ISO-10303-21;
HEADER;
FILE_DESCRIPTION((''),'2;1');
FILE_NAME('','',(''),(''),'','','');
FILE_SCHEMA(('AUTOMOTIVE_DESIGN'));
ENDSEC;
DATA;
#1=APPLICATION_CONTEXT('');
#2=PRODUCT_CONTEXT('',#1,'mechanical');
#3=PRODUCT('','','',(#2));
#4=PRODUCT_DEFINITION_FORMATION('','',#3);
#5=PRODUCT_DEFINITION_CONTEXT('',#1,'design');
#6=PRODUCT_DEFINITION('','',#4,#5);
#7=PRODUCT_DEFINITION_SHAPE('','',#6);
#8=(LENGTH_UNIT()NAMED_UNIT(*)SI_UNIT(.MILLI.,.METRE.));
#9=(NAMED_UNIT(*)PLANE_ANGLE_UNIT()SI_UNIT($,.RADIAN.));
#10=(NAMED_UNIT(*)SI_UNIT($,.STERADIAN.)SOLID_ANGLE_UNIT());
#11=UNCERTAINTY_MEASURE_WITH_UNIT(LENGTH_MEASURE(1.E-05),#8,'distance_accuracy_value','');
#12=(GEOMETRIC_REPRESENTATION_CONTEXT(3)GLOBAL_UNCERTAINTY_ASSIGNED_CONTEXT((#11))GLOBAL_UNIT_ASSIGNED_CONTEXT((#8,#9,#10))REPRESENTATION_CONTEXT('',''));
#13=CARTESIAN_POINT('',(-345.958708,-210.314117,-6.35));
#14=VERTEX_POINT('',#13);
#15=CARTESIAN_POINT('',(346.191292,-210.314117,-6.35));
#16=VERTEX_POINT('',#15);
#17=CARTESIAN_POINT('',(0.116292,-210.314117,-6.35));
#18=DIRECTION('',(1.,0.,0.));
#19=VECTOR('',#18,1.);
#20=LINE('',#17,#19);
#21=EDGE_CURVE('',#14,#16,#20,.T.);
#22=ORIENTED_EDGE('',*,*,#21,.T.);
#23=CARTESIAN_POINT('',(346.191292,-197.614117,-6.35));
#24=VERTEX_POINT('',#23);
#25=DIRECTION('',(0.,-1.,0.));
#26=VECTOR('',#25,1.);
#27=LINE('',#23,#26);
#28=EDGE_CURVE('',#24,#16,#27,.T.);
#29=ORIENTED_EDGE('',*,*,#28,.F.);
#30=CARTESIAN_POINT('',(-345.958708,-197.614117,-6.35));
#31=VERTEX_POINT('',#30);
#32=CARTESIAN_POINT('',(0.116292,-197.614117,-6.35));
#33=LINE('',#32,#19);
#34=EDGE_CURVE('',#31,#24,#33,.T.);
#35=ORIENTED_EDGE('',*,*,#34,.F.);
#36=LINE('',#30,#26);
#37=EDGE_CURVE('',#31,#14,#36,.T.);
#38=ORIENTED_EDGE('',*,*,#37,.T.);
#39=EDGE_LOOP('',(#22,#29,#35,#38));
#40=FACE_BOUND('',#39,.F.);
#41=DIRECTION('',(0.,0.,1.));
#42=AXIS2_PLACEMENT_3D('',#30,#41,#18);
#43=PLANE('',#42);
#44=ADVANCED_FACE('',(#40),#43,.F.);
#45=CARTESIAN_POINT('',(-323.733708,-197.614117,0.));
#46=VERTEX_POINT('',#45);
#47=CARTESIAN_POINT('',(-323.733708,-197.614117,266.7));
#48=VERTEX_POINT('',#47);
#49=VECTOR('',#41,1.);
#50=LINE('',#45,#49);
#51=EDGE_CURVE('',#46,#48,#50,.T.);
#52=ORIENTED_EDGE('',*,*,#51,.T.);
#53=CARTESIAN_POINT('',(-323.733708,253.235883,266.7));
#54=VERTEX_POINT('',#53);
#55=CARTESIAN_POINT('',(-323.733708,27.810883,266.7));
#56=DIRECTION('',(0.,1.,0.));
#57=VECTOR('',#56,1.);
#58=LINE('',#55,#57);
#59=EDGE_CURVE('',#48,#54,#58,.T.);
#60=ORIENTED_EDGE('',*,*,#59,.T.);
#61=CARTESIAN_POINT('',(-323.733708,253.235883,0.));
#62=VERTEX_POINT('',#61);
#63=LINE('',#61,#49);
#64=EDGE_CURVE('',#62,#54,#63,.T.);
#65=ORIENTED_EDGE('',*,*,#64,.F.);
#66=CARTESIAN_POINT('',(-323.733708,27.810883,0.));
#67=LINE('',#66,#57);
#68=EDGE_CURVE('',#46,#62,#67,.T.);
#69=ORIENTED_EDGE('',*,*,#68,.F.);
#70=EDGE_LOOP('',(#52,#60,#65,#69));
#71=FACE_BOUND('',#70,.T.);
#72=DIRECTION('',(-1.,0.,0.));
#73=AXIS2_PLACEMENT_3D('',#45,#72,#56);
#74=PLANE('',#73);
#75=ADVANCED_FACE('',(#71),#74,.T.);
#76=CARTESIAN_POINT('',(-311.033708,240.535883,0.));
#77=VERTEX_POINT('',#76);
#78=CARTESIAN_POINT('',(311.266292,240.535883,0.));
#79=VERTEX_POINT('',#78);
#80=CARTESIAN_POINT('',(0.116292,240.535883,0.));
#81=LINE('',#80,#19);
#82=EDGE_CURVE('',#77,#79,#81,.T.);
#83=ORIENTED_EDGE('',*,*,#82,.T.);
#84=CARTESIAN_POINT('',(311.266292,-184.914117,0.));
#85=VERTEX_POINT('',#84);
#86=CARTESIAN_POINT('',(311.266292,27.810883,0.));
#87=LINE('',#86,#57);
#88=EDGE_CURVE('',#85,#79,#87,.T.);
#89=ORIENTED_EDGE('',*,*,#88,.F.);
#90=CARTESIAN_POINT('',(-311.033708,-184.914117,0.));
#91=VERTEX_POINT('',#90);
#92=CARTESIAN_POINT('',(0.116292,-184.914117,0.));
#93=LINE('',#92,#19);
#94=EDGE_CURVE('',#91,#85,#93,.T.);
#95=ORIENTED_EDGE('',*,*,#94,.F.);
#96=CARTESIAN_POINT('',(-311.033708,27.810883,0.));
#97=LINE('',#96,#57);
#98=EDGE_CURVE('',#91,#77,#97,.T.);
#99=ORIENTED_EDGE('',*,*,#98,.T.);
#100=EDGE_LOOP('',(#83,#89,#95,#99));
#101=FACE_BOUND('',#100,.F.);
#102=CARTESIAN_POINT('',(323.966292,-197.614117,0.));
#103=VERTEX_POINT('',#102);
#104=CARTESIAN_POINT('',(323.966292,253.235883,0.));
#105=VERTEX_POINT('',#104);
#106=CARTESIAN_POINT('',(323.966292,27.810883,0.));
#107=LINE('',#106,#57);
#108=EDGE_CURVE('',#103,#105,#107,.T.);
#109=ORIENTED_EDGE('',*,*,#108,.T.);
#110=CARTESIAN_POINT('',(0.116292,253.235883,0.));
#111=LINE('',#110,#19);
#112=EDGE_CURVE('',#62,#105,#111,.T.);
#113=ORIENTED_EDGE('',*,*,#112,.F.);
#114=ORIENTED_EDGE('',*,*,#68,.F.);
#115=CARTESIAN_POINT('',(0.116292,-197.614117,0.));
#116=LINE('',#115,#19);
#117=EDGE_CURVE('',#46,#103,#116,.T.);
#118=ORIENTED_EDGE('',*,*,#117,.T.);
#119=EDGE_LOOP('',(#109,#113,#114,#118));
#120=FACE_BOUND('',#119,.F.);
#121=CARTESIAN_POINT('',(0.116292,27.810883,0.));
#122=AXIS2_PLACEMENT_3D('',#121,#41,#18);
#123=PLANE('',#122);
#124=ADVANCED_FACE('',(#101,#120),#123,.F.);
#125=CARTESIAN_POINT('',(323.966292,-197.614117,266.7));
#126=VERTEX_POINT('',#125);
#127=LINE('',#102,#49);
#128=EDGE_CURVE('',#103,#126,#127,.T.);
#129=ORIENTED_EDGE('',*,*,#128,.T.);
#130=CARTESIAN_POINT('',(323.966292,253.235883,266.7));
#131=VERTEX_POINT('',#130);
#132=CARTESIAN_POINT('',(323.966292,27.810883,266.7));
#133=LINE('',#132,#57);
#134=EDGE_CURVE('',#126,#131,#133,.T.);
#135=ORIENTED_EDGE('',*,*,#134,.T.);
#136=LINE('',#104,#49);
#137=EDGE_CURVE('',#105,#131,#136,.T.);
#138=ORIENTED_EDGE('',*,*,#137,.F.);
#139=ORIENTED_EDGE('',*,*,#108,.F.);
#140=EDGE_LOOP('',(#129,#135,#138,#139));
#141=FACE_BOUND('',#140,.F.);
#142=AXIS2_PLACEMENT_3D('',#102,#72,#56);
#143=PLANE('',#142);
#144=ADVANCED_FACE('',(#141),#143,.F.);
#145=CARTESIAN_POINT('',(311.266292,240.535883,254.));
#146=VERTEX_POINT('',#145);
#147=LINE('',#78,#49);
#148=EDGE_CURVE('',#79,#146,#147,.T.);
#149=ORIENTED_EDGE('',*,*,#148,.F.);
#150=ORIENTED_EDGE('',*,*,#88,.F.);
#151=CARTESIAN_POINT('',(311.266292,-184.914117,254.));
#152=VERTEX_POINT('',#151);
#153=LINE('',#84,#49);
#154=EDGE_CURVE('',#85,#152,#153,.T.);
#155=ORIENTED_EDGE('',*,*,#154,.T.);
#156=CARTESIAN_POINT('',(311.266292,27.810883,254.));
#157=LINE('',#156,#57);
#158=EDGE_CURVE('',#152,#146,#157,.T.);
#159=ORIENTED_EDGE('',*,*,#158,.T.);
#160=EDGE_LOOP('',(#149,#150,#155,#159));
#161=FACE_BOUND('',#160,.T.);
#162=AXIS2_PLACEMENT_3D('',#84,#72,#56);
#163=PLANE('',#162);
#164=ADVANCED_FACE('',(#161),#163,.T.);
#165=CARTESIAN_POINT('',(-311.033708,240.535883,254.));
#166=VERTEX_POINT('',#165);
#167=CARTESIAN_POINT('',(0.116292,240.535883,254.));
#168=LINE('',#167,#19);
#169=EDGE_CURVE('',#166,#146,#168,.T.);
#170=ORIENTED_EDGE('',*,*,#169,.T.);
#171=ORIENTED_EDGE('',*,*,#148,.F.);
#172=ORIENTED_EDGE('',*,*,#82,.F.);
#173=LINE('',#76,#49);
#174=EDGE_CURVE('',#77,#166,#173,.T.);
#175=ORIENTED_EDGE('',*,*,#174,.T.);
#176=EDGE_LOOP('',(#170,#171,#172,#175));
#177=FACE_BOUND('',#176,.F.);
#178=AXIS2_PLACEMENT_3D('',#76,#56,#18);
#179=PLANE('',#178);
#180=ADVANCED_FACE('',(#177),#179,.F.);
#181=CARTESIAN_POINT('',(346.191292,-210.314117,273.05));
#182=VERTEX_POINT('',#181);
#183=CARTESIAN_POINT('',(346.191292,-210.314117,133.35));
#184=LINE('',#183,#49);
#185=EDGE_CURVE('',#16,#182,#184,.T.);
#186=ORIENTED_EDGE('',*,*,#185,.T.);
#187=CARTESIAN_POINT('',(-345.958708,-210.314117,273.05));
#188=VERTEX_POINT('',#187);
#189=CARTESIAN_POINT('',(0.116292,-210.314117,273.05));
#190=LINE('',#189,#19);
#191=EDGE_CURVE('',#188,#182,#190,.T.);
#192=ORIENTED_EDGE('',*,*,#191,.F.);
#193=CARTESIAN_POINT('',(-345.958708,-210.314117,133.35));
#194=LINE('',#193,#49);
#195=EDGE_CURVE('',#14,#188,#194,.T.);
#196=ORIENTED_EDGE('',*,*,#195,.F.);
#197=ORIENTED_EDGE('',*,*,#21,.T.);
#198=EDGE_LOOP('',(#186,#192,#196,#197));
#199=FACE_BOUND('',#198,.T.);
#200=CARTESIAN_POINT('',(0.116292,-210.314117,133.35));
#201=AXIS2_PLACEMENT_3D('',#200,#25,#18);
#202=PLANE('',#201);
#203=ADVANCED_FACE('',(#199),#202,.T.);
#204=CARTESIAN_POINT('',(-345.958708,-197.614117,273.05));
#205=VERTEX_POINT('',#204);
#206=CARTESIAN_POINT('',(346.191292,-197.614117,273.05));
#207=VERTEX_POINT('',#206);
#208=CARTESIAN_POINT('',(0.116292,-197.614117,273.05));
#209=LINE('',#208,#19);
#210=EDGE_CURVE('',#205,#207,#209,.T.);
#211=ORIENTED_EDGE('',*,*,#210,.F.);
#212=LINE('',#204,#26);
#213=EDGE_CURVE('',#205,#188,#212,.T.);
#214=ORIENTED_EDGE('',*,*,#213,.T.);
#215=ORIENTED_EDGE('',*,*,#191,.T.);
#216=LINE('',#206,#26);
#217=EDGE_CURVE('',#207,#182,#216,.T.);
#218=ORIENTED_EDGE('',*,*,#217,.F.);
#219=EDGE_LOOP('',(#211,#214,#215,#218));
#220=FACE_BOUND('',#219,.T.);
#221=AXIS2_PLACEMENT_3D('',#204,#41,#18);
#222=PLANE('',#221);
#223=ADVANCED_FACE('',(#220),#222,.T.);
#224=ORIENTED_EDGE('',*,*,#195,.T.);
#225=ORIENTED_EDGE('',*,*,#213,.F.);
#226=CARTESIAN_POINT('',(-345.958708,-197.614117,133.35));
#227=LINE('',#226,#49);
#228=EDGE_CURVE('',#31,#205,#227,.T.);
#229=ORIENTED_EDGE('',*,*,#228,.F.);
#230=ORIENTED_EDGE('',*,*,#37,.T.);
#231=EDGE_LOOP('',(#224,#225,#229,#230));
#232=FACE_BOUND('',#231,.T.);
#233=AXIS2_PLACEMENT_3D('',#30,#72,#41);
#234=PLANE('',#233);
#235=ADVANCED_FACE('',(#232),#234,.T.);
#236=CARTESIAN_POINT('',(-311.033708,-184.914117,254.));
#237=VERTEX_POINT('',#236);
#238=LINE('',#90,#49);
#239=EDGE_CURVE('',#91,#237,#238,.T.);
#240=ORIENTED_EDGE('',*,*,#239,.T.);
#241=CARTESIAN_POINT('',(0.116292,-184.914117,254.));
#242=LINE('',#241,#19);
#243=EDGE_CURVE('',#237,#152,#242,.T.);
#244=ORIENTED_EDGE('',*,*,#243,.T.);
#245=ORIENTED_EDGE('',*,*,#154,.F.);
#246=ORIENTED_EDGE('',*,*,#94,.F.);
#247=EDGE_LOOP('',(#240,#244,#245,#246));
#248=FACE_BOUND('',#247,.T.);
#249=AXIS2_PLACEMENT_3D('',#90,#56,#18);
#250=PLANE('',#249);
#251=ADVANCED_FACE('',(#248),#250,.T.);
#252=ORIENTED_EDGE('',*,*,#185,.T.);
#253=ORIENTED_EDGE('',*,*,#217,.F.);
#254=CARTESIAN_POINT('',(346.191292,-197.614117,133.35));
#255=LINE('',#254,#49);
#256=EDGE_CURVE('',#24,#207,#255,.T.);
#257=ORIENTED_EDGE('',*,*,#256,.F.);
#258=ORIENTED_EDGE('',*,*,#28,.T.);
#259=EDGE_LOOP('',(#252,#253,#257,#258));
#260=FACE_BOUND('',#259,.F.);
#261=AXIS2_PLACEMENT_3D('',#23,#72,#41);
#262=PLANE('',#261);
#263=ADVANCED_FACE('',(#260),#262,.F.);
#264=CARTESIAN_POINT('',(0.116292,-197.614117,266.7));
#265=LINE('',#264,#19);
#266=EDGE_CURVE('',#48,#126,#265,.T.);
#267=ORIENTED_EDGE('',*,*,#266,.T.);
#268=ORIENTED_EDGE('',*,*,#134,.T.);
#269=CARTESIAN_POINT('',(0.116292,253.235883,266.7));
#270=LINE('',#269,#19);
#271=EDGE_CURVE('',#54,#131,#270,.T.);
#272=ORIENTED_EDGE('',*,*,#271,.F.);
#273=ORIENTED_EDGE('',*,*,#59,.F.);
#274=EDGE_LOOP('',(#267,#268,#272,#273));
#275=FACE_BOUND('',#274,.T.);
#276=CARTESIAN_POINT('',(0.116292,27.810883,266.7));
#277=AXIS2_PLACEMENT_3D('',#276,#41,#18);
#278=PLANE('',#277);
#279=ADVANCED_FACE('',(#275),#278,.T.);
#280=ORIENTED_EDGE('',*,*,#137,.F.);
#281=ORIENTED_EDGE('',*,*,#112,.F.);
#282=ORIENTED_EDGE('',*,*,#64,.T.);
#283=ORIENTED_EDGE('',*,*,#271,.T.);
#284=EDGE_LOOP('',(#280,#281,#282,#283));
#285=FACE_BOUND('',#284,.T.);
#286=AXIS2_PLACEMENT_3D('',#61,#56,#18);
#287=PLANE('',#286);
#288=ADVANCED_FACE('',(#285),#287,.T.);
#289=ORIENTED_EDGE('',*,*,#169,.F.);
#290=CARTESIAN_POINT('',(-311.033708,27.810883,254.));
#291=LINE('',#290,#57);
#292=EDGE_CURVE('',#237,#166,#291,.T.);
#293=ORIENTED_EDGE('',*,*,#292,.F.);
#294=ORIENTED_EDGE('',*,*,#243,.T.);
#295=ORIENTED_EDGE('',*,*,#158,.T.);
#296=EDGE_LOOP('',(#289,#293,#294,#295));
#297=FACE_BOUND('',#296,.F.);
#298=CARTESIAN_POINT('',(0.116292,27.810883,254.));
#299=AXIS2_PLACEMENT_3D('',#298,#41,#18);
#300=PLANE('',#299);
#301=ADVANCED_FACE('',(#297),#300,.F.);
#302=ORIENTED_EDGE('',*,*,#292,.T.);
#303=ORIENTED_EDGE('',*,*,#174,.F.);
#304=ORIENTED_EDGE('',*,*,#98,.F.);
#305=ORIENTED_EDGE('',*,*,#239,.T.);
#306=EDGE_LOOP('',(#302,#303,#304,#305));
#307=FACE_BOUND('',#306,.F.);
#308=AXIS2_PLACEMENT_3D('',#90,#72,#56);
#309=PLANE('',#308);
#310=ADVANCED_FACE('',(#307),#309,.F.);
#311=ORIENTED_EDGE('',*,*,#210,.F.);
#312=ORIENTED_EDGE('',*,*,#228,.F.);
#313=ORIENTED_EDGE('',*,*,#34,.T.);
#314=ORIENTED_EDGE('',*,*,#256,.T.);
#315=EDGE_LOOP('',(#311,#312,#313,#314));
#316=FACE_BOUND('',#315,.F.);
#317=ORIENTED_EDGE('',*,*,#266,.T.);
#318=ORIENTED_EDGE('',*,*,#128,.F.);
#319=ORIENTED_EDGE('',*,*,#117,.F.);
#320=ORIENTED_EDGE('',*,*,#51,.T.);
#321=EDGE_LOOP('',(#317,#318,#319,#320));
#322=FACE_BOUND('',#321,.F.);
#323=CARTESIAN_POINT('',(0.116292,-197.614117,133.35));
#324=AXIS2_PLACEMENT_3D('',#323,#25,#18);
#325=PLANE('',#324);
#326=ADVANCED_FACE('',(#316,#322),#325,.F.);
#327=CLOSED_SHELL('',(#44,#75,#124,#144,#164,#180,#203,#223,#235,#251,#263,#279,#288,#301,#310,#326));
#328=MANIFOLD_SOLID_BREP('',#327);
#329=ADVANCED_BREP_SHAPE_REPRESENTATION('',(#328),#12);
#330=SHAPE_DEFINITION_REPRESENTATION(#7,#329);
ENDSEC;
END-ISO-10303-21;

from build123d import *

# Parameters (mm, degrees)
F0_W     = 647.7
F0_H     = 450.85
F0_W_2   = 622.3
F0_H_2   = 425.45
F1_DEPTH = 266.7
F2_W     = 692.15
F2_H     = 279.4
F3_DEPTH = 12.7
F4_W     = 622.3
F4_H     = 425.45
F5_DEPTH = 12.7


with BuildPart() as f1:
    # F0 (on Top) → F1 (new body)
    with BuildSketch(Plane.XY):
        with Locations((0.116292, 27.810883)):
            Rectangle(F0_W, F0_H)
        with Locations((0.116292, 27.810883)):
            Rectangle(F0_W_2, F0_H_2, mode=Mode.SUBTRACT)
    extrude(amount=F1_DEPTH)

    # F2 (on face) → F3 (join)
    with BuildSketch(Plane.XZ.offset(197.614117)):
        with Locations((0.116292, 133.35)):
            Rectangle(F2_W, F2_H)
    extrude(amount=F3_DEPTH)

    # F4 (on face) → F5 (join)
    with BuildSketch(Plane.XY.offset(266.7)):
        with Locations((0.116292, 27.810883)):
            Rectangle(F4_W, F4_H)
    extrude(amount=-F5_DEPTH)


solid = f1.part
